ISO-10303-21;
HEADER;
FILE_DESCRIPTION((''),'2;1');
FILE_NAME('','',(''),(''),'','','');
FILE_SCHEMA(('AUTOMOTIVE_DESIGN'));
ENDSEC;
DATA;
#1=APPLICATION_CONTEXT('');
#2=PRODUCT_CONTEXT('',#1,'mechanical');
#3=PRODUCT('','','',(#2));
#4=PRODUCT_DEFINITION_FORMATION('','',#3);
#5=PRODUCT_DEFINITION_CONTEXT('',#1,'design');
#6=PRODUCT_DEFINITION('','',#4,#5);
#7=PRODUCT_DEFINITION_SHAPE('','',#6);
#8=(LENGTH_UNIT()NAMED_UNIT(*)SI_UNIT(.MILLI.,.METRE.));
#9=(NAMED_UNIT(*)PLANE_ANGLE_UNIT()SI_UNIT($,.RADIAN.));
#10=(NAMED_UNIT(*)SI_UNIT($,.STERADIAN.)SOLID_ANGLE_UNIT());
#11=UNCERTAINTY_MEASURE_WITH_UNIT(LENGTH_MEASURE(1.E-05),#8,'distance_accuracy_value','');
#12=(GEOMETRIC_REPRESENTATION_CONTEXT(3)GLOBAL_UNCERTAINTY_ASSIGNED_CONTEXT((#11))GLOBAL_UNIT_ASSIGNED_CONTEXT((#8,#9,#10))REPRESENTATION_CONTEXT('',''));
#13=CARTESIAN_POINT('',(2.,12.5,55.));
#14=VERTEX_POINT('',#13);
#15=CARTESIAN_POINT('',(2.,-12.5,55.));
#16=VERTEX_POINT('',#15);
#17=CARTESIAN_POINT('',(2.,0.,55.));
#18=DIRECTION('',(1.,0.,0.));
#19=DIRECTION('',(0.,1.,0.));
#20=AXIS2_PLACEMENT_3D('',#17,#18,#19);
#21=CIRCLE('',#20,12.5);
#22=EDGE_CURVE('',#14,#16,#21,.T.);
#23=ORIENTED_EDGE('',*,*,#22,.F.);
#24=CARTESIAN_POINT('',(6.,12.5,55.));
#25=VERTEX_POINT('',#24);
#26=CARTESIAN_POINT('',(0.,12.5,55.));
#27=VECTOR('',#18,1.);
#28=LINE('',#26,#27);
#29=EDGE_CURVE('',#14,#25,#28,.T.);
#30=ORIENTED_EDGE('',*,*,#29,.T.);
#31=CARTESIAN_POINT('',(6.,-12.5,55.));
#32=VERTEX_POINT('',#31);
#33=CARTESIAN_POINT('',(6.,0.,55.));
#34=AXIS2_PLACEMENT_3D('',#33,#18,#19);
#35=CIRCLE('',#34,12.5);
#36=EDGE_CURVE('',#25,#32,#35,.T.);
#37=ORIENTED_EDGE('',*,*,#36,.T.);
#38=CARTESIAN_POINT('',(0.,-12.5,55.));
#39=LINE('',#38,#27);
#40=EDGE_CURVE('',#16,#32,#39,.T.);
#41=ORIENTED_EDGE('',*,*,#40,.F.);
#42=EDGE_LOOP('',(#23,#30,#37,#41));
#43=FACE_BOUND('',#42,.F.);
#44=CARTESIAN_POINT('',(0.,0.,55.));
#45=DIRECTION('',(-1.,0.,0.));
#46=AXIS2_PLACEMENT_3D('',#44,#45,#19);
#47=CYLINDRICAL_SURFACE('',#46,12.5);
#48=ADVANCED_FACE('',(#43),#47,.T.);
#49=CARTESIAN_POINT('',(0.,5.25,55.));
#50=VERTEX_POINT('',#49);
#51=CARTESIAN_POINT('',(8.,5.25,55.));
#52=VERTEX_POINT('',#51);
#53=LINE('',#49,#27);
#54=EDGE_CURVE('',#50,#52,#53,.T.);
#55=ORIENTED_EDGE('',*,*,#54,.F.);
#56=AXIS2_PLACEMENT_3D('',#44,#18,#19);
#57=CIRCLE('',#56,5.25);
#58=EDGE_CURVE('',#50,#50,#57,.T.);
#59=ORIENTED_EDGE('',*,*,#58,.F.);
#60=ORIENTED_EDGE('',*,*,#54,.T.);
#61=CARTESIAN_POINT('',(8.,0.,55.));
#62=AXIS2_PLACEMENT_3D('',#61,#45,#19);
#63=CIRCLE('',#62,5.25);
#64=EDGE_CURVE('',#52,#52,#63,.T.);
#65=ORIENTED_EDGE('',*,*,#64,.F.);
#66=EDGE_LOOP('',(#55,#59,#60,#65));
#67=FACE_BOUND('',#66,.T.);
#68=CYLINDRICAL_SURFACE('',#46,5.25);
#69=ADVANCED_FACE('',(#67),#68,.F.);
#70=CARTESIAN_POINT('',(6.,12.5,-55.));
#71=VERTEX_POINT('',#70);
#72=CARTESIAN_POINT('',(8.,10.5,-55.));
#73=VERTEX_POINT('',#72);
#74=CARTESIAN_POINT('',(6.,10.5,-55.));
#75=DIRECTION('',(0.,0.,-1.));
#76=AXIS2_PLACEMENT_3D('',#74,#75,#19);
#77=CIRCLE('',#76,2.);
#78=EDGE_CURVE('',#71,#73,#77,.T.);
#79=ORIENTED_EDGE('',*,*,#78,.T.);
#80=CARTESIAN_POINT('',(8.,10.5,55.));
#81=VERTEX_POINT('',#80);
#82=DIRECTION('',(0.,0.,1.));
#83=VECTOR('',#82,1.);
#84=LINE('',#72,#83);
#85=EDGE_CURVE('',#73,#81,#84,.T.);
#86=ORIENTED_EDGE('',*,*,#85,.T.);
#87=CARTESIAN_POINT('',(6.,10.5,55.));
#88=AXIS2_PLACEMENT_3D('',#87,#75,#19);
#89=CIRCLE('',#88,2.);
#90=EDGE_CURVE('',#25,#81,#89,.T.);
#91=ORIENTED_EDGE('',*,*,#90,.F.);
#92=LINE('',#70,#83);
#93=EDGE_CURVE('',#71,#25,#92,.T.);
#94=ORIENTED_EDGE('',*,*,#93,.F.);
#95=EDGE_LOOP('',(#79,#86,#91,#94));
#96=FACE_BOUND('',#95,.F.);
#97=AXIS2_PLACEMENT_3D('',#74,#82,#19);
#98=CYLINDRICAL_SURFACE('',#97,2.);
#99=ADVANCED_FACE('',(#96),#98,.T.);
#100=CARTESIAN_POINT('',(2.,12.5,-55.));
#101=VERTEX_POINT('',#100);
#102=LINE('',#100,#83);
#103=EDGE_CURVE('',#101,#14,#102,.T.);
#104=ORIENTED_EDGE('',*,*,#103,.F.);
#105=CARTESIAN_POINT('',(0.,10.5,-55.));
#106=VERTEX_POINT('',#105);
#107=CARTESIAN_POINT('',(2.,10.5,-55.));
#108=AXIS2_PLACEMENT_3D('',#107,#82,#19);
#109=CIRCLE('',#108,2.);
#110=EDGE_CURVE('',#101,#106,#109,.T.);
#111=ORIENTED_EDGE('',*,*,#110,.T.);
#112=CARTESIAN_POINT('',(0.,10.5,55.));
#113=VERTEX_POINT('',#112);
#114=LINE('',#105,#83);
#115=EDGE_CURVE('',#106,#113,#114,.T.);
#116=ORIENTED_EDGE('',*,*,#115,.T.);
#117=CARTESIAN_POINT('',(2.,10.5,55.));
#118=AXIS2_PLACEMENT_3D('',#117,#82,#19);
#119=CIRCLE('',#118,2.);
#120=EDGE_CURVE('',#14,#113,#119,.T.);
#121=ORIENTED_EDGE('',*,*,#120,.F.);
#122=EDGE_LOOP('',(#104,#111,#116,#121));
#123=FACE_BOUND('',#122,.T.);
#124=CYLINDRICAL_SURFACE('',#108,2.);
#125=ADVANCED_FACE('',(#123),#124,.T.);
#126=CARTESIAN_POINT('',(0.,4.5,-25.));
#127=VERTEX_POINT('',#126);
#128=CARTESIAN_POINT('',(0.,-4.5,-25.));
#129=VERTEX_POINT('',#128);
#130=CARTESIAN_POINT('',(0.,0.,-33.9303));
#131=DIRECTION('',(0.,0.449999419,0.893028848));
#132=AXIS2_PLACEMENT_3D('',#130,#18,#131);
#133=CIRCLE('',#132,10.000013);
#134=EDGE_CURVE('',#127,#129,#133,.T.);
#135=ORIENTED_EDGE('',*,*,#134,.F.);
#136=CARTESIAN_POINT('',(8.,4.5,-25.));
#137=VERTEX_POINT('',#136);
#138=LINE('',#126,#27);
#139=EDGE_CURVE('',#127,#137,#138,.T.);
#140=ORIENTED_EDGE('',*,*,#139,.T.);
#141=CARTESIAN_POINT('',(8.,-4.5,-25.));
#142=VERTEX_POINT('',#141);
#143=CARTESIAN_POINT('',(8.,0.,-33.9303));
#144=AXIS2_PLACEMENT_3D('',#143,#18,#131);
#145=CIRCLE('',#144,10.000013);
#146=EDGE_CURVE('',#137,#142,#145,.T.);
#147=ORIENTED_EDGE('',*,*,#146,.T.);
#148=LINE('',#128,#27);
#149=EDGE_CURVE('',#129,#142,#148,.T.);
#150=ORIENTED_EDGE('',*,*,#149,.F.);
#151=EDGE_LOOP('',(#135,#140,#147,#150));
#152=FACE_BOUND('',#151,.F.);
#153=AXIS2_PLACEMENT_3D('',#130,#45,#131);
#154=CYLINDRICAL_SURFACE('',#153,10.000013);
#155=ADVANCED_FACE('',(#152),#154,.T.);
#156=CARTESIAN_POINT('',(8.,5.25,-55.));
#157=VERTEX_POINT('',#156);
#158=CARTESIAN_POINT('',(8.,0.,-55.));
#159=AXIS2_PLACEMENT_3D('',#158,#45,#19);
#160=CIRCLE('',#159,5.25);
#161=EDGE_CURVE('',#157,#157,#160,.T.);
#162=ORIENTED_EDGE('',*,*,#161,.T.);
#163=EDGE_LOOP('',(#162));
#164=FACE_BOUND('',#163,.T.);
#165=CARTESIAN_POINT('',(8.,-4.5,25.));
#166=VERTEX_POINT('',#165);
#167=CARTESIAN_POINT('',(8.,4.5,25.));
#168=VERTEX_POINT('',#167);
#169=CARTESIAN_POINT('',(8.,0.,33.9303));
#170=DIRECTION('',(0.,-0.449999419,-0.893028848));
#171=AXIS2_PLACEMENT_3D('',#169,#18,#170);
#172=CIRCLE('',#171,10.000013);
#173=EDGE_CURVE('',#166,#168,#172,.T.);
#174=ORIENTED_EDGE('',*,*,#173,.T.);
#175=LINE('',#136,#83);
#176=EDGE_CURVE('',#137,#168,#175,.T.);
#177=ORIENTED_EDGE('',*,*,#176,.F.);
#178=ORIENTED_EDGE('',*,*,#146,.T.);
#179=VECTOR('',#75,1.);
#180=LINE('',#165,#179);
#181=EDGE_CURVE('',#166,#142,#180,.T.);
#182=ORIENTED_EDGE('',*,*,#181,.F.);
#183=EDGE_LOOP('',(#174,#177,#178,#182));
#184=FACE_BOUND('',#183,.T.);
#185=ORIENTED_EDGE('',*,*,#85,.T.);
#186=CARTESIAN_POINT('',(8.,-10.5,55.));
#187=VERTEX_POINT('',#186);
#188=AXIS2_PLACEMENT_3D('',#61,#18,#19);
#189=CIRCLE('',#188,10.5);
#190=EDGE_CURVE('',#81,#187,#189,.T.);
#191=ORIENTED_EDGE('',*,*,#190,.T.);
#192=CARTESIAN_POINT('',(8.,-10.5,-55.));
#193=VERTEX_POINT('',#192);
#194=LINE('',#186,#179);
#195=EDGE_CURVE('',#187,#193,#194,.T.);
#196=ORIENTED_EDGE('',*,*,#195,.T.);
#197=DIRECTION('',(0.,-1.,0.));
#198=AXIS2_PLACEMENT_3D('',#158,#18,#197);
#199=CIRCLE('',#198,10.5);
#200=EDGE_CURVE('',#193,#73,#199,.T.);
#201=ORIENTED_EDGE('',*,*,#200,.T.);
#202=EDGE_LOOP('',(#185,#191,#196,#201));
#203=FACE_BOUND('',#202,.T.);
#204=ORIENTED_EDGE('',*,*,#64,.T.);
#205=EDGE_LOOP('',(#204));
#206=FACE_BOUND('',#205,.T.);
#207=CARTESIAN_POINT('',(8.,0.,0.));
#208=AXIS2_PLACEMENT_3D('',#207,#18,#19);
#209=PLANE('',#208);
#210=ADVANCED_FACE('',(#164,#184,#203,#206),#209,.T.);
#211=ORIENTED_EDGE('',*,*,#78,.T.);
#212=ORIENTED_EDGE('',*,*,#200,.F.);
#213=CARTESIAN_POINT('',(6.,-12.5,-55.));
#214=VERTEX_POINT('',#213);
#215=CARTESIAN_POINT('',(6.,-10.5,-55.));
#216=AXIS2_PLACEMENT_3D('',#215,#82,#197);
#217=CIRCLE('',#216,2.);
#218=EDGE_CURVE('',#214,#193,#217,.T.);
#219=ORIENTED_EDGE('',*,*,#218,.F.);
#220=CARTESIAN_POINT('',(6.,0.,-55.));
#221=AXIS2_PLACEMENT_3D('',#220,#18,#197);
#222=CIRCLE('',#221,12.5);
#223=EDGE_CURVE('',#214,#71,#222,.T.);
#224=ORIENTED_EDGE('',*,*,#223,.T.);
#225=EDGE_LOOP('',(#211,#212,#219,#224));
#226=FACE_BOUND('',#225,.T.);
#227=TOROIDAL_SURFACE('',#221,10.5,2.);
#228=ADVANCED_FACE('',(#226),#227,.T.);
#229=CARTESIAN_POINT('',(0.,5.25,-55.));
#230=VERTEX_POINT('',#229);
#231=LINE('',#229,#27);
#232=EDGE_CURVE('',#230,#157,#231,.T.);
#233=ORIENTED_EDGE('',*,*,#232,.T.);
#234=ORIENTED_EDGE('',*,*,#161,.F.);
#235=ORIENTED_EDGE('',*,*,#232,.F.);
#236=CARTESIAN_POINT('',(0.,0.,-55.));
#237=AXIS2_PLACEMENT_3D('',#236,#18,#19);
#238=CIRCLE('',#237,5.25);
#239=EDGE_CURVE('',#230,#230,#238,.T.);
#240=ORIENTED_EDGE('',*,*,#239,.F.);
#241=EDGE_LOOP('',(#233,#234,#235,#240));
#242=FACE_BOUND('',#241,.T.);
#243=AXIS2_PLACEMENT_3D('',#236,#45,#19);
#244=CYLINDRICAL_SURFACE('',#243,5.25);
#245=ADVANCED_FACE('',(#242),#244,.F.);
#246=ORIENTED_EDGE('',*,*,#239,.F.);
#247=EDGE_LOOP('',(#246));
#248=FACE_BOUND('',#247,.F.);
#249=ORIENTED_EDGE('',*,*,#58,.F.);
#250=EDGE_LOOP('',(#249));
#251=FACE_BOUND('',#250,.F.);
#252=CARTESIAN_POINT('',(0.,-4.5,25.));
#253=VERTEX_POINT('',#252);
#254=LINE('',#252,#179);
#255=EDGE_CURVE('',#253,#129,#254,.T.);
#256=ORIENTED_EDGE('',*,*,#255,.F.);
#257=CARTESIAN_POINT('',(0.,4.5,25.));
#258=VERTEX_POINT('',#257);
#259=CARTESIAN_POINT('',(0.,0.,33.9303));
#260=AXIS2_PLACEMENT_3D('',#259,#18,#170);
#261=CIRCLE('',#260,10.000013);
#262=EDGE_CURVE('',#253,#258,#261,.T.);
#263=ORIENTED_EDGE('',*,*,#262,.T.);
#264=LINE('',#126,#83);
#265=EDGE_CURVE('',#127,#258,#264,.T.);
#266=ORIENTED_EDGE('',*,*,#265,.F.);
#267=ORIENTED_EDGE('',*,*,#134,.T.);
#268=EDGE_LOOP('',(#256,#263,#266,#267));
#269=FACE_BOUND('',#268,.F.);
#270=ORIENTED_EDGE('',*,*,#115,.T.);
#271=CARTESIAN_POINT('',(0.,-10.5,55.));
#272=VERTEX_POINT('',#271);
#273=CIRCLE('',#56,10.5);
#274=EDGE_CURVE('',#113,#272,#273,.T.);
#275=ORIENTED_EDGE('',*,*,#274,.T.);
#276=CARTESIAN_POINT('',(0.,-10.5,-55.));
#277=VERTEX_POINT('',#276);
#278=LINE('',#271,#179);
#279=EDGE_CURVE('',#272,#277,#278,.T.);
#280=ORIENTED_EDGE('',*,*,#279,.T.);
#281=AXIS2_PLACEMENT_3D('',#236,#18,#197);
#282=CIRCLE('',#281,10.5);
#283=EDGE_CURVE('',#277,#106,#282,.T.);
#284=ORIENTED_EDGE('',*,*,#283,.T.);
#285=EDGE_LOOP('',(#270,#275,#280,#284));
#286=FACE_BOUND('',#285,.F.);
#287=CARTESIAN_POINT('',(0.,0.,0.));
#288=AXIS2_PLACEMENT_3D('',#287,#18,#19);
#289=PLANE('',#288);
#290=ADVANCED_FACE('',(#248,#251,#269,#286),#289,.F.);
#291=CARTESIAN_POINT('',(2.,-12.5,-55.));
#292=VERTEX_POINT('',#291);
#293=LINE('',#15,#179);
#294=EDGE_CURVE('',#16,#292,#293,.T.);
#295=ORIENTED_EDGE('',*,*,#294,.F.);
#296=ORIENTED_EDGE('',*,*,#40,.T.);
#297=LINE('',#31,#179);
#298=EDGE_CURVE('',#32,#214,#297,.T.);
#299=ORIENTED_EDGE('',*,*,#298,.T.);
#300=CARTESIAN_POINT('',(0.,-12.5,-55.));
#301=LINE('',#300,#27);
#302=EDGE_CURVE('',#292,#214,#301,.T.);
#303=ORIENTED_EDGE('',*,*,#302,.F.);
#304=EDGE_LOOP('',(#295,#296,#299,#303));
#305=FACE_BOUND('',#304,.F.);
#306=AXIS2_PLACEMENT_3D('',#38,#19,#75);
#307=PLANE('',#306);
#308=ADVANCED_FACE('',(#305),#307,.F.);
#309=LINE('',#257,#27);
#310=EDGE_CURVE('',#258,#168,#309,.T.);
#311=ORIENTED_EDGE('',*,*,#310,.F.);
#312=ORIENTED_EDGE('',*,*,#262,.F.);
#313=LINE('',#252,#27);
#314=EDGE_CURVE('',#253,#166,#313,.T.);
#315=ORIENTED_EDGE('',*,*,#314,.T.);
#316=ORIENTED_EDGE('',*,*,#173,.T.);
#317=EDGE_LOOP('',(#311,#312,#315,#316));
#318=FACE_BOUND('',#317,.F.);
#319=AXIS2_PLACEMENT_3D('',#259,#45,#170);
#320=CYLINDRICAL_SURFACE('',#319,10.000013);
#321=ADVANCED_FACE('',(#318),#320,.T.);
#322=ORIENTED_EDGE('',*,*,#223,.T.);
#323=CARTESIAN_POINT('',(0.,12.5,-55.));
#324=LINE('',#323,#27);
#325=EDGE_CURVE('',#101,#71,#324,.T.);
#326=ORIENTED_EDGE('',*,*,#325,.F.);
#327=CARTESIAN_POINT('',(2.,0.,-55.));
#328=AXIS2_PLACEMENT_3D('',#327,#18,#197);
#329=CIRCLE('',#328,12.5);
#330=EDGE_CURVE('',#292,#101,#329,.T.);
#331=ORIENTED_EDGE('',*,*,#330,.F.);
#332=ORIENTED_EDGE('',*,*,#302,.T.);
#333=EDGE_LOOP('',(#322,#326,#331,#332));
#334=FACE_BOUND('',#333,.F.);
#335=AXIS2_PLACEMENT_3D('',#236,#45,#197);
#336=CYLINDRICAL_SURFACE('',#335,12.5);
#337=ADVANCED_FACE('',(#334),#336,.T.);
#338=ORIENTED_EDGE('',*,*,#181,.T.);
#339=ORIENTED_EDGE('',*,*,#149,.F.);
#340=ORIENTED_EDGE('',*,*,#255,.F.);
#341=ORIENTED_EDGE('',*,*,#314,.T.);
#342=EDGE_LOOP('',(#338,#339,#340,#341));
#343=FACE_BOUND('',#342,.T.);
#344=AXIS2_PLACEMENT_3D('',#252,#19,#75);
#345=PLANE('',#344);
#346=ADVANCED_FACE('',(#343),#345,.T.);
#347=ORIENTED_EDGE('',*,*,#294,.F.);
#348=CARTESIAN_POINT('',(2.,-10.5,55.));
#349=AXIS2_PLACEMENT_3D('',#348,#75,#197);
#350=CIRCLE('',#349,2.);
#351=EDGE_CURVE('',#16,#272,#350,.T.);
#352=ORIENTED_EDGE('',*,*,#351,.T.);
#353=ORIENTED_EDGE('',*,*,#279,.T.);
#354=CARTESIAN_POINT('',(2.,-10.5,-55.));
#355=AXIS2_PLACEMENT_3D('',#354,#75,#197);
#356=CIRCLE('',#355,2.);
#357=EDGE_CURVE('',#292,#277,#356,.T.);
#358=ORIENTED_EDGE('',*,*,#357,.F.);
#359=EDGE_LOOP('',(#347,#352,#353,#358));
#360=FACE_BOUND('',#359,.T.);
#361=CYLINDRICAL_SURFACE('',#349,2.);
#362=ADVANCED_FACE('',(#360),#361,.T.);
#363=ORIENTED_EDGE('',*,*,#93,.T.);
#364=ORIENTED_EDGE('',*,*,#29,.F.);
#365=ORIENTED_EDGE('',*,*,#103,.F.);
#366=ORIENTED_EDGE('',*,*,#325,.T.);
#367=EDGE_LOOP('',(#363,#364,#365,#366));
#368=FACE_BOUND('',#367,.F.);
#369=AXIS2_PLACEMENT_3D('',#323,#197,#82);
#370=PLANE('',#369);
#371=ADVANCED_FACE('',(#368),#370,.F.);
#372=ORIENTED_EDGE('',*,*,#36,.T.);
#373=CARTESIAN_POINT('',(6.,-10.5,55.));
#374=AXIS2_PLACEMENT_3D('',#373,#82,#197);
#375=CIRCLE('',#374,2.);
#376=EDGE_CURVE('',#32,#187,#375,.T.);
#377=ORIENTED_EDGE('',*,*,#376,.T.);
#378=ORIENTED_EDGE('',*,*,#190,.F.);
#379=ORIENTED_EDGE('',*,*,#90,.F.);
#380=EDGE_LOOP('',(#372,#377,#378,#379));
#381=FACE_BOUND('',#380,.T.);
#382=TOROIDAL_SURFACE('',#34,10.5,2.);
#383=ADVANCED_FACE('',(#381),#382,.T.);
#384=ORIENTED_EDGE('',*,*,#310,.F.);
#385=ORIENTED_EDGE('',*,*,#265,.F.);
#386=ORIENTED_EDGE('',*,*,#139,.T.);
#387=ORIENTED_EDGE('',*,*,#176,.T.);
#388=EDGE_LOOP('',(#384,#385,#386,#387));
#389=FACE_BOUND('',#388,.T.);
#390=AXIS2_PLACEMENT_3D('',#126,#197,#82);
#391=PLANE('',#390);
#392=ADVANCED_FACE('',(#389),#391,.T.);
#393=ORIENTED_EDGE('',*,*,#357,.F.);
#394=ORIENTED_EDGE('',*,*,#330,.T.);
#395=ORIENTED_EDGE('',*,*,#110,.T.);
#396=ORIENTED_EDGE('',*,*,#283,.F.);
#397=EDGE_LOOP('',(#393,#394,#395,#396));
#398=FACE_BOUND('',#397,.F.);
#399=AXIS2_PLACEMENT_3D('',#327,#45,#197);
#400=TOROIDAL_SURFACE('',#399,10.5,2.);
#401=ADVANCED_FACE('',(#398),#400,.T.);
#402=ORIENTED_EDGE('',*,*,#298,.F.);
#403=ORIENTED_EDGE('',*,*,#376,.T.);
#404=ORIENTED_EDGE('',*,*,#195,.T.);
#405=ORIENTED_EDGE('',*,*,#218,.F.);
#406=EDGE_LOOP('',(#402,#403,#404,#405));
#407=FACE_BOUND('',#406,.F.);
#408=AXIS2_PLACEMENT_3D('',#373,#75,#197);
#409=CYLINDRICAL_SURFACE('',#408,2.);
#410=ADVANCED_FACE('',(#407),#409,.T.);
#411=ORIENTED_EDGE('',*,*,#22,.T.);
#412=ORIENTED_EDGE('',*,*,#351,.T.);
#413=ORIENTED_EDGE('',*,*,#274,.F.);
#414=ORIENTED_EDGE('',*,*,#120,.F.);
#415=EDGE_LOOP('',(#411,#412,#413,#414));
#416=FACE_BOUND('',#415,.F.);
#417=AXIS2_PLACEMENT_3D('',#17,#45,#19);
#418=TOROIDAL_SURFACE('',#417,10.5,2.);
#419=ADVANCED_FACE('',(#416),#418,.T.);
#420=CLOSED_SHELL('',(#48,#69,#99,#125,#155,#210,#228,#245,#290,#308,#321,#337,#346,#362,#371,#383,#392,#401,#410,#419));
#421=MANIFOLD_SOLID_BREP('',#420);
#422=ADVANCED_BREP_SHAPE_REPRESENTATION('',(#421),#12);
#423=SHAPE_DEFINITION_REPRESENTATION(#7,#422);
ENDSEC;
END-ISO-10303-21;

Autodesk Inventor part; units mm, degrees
ref_plane "YZ Plane" through (0, 0, 0) normal (1, 0, 0) x (0, 1, 0)
ref_plane "XZ Plane" through (0, 0, 0) normal (0, 1, 0) x (-1, 0, 0)
ref_plane "XY Plane" through (0, 0, 0) normal (0, 0, 1) x (1, 0, 0)
sketch "Sketch1" plane through (0, 0, 0) normal (1, 0, 0) x (0, 1, 0)
  line L0 (12.5, 55) -> (-12.5, 55)
  line L1 (-12.5, 55) -> (-12.5, -55)
  line L2 (-12.5, -55) -> (12.5, -55)
  line L3 (12.5, -55) -> (12.5, 55)
  arc A0 (12.5, 55) -> (-12.5, 55) centre (0, 55) ccw
  arc A1 (-12.5, -55) -> (12.5, -55) centre (0, -55) ccw
  line L4 (4, 55) -> (-4, 55)
  circle A2 centre (0, 55) radius 5.25
  circle A3 centre (0, -55) radius 5.25
  line L5 (4.5, 25) -> (-4.5, 25)
  line L6 (-4.5, 25) -> (-4.5, -25)
  line L7 (-4.5, -25) -> (4.5, -25)
  line L8 (4.5, -25) -> (4.5, 25)
  line L9 (4.5, 25) -> (-4.5, -25) construction
  line L10 (-4.5, 25) -> (4.5, -25) construction
  arc A4 (4.5, -25) -> (-4.5, -25) centre (0, -33.9303) ccw
  arc A5 (-4.5, 25) -> (4.5, 25) centre (0, 33.9303) ccw
  point P0 (0, 0)
  point P1 (12.5, 0)
  dimension "d0" = 110
  dimension "d1" = 55
  dimension "d2" = 12.5
  dimension "d3" = 25
  dimension "d27" = 12.5
  dimension "d28" = 10.5
  dimension "d29" = 10.5
  dimension "d31" = 55
  dimension "d40" = 50
  dimension "d42" = 8
  dimension "d43" = 10
  dimension "d44" = 10
extrude "Extrusion1" add sketch "Sketch1" along normal blind 8 contours L3 L2 A3 L1 L0 A2 | L0 A2 A0 | A1 L2 A3 | A5 L5 | L7 A4
fillet "Fillet3" radius 2 8 edges at (8, 0, 67.5) (8, -12.5, 0) (8, 0, -67.5) (8, 12.5, 0) (0, 0, 67.5) (0, -12.5, 0) (0, 0, -67.5) (0, 12.5, 0)
equation "\"d0\" = FEMUR_LENGTH"
equation "\"d1\" = 0.5 * FEMUR_LENGTH"
equation "\"d2\" = 0.5 * FEMUR_WIDTH"
equation "\"d3\" = FEMUR_WIDTH"
equation "\"d31\" = 0.5 * FEMUR_LENGTH"
equation "\"d17\" = FEMUR_HEIGHT"
equation "\"d25\" = PART_FILLET"
equation "\"FEMUR_LENGTH\" = 110"
equation "\"FEMUR_WIDTH\" = 25"
equation "\"FEMUR_HEIGHT\" = 8"
equation "\"PART_FILLET\" = 2"
properties part number "FemurHornSide"
